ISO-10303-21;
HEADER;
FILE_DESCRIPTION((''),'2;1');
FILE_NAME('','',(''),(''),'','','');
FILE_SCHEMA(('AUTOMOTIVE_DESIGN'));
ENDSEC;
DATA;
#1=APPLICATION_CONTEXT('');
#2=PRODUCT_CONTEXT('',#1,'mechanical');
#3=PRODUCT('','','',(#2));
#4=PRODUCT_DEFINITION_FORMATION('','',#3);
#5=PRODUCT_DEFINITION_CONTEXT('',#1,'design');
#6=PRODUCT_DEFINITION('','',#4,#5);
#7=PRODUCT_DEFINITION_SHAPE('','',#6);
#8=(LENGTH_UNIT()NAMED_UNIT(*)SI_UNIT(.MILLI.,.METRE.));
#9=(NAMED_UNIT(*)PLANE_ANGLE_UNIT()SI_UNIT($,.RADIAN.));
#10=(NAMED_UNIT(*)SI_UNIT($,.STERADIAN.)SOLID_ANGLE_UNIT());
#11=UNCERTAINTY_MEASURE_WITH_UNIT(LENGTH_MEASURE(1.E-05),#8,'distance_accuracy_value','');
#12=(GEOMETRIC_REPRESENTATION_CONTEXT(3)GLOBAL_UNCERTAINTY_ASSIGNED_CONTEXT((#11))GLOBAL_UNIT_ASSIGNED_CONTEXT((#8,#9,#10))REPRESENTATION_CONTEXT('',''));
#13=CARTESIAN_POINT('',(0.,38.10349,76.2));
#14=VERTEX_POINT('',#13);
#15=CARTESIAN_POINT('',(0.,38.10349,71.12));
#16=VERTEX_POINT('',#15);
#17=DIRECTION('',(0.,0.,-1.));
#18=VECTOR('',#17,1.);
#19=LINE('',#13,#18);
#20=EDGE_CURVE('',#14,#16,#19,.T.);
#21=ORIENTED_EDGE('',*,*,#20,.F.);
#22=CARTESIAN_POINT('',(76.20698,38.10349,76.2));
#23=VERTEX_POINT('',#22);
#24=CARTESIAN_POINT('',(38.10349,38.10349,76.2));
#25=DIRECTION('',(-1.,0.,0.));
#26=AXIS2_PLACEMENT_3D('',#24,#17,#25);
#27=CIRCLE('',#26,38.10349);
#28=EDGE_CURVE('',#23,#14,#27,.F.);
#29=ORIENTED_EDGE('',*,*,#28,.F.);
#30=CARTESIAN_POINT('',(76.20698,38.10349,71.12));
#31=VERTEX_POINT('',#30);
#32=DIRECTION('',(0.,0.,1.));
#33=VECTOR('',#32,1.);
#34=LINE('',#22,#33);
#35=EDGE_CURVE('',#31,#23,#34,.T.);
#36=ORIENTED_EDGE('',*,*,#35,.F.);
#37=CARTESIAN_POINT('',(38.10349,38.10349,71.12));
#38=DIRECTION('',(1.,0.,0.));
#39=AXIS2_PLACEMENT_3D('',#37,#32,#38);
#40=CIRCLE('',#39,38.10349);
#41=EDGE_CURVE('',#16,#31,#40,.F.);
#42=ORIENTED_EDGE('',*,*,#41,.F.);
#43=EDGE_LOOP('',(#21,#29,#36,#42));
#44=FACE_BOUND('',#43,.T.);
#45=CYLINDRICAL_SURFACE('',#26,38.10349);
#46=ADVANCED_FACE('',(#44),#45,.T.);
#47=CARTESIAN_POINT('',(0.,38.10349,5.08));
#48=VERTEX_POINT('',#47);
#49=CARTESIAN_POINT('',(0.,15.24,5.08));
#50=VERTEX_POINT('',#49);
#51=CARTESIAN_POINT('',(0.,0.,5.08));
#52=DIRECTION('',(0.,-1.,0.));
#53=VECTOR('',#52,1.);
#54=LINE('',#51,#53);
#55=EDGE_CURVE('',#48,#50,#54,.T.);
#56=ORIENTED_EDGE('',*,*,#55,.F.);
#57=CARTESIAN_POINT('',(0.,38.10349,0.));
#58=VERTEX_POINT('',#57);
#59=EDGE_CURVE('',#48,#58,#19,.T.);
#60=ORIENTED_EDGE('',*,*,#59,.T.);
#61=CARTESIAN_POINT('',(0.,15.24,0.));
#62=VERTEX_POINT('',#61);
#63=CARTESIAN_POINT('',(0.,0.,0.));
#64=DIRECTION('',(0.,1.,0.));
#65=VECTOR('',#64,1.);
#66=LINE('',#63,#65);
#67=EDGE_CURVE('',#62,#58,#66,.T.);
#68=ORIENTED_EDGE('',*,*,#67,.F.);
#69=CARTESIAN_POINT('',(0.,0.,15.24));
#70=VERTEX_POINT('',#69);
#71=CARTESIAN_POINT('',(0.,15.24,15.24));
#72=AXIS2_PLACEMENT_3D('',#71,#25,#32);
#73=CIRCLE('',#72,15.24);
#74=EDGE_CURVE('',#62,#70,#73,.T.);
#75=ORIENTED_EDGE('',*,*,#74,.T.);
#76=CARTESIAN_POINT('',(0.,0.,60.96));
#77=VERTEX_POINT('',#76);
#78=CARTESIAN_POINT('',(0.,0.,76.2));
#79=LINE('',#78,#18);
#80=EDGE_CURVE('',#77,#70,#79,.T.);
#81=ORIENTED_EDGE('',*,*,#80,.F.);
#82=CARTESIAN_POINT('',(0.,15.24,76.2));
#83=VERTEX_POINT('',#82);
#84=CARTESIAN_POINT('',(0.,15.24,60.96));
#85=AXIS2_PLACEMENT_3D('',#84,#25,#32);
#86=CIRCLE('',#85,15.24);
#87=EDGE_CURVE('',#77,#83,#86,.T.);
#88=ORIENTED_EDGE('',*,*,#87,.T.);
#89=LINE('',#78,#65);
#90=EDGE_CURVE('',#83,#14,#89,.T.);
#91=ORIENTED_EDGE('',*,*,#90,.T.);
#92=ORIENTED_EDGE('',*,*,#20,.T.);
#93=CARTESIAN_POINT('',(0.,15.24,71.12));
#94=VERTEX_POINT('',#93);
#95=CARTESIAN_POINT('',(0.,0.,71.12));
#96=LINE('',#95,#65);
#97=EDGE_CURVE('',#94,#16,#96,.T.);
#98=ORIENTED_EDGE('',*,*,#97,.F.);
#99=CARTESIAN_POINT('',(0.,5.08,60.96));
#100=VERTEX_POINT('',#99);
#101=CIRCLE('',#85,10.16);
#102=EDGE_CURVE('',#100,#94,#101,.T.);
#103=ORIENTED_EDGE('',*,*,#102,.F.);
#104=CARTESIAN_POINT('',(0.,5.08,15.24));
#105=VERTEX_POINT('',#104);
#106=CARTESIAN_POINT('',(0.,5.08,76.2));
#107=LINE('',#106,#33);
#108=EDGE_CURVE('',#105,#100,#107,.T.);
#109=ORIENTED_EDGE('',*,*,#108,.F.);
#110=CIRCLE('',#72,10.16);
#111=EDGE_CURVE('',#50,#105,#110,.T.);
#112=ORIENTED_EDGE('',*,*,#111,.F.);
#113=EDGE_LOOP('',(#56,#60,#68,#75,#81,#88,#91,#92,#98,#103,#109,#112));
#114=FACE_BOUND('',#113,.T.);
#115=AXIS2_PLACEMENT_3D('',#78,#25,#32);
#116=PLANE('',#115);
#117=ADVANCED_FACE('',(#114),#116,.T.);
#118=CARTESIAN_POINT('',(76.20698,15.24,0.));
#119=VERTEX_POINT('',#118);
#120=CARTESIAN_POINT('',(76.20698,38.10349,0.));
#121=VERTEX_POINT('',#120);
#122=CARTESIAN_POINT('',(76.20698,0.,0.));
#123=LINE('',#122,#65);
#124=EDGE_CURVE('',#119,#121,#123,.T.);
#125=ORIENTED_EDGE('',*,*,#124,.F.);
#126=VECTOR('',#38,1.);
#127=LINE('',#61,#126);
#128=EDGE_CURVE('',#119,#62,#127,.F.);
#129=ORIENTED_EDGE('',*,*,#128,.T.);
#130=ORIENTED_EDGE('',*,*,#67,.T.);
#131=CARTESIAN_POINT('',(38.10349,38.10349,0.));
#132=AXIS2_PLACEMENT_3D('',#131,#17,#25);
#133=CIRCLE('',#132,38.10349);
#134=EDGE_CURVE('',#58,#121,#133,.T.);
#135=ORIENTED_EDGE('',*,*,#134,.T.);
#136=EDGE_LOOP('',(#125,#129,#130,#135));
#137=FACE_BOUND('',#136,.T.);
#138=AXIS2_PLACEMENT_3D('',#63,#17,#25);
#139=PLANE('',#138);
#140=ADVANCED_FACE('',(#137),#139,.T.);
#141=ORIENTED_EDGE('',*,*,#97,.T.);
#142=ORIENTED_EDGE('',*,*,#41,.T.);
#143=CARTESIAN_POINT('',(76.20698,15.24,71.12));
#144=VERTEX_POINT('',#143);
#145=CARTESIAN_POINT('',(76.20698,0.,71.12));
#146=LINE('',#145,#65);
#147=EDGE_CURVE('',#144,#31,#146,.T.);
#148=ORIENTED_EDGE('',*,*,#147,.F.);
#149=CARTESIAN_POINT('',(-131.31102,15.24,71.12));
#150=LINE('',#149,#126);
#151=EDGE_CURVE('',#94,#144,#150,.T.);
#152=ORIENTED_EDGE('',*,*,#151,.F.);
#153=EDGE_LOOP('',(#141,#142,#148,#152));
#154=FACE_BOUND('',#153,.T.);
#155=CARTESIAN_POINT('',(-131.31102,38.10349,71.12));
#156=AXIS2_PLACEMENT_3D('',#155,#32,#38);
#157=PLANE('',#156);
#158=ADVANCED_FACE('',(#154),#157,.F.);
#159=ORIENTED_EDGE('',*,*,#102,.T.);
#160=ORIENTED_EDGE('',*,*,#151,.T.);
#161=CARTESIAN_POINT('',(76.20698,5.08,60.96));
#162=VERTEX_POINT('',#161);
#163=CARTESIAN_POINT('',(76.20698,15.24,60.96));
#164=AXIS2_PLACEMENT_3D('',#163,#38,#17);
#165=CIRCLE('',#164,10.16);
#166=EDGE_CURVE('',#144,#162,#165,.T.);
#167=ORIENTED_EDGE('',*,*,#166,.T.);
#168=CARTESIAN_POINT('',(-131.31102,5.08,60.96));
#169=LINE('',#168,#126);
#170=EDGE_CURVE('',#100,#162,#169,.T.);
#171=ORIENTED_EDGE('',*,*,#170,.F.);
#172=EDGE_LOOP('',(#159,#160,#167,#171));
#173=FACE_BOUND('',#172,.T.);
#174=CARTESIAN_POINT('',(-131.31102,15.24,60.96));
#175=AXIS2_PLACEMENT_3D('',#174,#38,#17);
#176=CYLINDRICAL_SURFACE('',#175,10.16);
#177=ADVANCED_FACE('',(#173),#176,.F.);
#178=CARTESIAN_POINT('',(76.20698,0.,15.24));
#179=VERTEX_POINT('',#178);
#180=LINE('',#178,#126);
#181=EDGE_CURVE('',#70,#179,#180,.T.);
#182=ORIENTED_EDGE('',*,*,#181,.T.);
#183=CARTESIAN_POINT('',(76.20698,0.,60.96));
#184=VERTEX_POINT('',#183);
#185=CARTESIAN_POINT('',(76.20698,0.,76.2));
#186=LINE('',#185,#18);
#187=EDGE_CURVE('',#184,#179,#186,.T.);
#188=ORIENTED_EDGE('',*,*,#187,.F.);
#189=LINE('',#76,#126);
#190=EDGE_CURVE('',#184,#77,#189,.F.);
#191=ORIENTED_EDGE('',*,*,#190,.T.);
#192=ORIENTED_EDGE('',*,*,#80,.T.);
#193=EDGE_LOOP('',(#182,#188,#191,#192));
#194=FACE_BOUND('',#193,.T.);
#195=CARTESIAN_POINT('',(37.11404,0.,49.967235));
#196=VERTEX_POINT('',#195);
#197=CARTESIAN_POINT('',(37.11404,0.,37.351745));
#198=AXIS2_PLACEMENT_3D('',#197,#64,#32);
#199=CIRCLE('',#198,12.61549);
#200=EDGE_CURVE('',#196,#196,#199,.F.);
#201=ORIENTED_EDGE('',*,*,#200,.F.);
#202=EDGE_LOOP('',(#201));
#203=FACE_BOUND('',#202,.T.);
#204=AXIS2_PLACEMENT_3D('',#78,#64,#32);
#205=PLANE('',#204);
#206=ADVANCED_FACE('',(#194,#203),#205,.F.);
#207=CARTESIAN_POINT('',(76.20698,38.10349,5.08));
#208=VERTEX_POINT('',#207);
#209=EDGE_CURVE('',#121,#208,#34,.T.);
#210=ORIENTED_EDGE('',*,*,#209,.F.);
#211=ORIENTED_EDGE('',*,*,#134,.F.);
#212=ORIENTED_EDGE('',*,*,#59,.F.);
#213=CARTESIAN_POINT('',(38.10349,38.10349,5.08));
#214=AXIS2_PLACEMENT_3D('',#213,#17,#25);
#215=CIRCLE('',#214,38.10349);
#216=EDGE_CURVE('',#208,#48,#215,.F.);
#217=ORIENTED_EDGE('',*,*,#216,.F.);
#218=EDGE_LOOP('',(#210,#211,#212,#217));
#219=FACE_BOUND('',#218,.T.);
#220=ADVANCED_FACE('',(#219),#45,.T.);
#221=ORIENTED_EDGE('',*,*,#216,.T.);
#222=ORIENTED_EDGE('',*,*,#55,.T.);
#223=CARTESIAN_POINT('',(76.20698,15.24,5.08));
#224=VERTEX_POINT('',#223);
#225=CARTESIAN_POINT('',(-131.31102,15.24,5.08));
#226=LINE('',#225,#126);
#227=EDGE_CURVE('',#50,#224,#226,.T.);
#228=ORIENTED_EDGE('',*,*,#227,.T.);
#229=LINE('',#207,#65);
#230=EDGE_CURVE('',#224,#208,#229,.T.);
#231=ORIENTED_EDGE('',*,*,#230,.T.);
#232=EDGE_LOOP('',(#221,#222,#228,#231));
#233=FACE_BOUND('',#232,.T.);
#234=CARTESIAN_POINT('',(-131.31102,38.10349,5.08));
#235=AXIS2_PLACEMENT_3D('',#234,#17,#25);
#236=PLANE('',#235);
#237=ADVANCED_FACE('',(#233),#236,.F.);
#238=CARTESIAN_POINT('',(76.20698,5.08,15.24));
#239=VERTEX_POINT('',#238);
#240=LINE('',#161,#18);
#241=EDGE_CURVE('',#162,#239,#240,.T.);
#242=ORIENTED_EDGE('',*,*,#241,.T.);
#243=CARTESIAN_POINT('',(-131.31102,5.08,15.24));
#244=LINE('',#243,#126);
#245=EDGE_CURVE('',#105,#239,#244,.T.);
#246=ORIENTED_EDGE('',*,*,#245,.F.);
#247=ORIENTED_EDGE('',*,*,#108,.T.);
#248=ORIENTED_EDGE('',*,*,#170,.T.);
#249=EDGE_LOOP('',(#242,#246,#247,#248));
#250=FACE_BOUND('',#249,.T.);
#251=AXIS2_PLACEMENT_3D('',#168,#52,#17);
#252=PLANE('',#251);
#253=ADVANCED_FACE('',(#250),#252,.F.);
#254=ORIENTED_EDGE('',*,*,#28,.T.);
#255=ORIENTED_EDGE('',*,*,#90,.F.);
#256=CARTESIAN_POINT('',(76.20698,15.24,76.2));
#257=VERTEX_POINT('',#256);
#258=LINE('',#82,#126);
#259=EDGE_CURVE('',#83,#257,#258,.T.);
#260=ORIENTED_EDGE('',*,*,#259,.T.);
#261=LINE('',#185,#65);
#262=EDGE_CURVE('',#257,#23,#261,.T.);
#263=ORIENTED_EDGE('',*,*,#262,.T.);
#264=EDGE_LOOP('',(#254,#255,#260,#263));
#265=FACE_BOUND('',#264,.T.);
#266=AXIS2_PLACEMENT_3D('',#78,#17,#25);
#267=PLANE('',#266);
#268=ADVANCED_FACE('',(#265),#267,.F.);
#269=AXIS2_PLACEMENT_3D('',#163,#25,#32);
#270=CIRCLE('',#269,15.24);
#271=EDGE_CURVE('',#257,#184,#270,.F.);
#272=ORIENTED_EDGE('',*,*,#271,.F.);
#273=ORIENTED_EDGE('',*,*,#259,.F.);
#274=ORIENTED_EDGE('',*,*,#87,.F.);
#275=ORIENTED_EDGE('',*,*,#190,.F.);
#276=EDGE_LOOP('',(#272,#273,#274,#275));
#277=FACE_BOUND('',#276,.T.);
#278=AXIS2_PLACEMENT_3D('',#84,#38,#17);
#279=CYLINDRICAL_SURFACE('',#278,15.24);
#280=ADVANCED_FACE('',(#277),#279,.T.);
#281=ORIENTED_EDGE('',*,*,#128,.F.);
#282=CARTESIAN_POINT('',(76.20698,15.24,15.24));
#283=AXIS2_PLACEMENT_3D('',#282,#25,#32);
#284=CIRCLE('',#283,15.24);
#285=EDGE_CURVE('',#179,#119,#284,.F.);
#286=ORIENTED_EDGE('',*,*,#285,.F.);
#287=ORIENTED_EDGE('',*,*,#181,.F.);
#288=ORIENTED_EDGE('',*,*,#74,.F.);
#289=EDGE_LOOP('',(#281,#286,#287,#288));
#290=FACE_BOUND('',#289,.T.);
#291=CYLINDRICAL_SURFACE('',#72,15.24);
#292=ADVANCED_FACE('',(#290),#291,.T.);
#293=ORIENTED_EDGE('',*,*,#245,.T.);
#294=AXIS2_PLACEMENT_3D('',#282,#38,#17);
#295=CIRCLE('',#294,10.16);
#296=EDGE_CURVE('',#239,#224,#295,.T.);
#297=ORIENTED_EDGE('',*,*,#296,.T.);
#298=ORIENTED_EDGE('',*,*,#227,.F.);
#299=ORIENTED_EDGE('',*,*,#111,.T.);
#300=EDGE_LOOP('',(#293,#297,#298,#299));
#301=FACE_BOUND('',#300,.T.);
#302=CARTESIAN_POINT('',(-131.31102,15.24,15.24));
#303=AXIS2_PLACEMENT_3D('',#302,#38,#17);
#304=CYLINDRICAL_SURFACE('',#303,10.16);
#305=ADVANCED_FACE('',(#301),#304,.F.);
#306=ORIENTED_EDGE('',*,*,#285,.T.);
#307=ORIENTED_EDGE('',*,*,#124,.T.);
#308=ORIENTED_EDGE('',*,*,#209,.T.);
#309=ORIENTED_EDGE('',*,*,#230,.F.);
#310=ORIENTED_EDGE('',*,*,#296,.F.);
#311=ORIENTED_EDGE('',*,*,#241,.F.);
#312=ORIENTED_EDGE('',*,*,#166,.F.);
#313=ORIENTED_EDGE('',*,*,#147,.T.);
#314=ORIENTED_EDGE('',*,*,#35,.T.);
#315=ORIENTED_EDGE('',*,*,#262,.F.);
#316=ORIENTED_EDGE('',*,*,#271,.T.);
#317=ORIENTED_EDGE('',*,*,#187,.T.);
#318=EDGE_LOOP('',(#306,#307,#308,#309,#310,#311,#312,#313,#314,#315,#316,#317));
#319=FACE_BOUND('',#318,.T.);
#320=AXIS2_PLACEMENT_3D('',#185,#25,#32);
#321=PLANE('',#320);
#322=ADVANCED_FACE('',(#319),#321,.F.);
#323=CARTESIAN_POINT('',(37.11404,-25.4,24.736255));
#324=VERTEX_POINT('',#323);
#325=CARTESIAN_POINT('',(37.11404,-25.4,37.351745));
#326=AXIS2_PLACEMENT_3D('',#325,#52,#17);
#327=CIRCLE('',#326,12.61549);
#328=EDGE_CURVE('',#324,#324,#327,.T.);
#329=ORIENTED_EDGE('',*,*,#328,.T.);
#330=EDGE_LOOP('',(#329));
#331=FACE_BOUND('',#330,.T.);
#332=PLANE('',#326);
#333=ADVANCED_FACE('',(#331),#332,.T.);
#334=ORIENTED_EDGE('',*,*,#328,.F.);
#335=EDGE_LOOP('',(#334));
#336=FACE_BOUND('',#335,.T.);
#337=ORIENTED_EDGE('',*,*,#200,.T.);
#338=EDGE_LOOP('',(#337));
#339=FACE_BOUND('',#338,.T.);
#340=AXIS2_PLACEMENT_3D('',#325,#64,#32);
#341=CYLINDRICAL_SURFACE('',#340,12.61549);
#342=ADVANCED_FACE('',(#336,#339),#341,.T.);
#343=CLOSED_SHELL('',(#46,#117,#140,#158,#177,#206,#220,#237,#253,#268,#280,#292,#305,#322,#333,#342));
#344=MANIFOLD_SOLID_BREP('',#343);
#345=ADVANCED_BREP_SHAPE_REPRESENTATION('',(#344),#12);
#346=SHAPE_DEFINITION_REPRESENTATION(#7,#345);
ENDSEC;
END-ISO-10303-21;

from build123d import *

# Parameters (mm, degrees)
SKETCH1_W           = 76.206980413
SKETCH1_H           = 76.206980413
BOSS_EXTRUDE1_DEPTH = 76.2
FILLET1_R           = 15.24
FILLET4_R           = 38.10349
CUT_EXTRUDE1_DEPTH  = 207.518
SKETCH4_R           = 12.615490026
BOSS_EXTRUDE2_DEPTH = 25.4


with BuildPart() as part:
    # Sketch1 → Boss-Extrude1 (new body)
    with BuildSketch(Plane.XY):
        with Locations((38.103490207, 38.103490207)):
            Rectangle(SKETCH1_W, SKETCH1_H)
    extrude(amount=BOSS_EXTRUDE1_DEPTH)

    # Fillet1
    fillet1_edges = [part.edges().sort_by_distance(p)[0] for p in [
        (38.103490206, 0, 76.2),
        (38.103490206, 0, 0),
    ]]
    fillet(fillet1_edges, radius=FILLET1_R)

    # Fillet4
    fillet4_edges = [part.edges().sort_by_distance(p)[0] for p in [
        (76.206980413, 76.206980413, 38.1),
        (0, 76.206980413, 38.1),
    ]]
    fillet(fillet4_edges, radius=FILLET4_R)

    # Sketch3 → Cut-Extrude1 (cut)
    with BuildSketch(Plane(origin=(76.206980413, 0, 0), x_dir=(0, 0, -1), z_dir=(1, 0, 0))):
        with BuildLine():
            Line((-71.12, 76.206980413), (-5.08, 76.206980413))
            Line((-5.08, 76.206980413), (-5.08, 38.103490206))
            Line((-5.08, 38.103490206), (-5.08, 15.24))
            ThreePointArc((-5.08, 15.24), (-8.055795103, 8.055795103), (-15.24, 5.08))
            Line((-15.24, 5.08), (-60.96, 5.08))
            ThreePointArc((-60.96, 5.08), (-68.144204897, 8.055795103), (-71.12, 15.24))
            Line((-71.12, 15.24), (-71.12, 38.103490206))
            Line((-71.12, 38.103490206), (-71.12, 76.206980413))
        make_face()
    extrude(amount=-CUT_EXTRUDE1_DEPTH, mode=Mode.SUBTRACT)

    # Sketch4 → Boss-Extrude2 (add)
    with BuildSketch(Plane(origin=(0, 0, 0), x_dir=(-1, 0, 0), z_dir=(0, -1, 0))):
        with Locations((-37.114040008, -37.351744978)):
            Circle(SKETCH4_R)
    extrude(amount=BOSS_EXTRUDE2_DEPTH)


solid = part.part
